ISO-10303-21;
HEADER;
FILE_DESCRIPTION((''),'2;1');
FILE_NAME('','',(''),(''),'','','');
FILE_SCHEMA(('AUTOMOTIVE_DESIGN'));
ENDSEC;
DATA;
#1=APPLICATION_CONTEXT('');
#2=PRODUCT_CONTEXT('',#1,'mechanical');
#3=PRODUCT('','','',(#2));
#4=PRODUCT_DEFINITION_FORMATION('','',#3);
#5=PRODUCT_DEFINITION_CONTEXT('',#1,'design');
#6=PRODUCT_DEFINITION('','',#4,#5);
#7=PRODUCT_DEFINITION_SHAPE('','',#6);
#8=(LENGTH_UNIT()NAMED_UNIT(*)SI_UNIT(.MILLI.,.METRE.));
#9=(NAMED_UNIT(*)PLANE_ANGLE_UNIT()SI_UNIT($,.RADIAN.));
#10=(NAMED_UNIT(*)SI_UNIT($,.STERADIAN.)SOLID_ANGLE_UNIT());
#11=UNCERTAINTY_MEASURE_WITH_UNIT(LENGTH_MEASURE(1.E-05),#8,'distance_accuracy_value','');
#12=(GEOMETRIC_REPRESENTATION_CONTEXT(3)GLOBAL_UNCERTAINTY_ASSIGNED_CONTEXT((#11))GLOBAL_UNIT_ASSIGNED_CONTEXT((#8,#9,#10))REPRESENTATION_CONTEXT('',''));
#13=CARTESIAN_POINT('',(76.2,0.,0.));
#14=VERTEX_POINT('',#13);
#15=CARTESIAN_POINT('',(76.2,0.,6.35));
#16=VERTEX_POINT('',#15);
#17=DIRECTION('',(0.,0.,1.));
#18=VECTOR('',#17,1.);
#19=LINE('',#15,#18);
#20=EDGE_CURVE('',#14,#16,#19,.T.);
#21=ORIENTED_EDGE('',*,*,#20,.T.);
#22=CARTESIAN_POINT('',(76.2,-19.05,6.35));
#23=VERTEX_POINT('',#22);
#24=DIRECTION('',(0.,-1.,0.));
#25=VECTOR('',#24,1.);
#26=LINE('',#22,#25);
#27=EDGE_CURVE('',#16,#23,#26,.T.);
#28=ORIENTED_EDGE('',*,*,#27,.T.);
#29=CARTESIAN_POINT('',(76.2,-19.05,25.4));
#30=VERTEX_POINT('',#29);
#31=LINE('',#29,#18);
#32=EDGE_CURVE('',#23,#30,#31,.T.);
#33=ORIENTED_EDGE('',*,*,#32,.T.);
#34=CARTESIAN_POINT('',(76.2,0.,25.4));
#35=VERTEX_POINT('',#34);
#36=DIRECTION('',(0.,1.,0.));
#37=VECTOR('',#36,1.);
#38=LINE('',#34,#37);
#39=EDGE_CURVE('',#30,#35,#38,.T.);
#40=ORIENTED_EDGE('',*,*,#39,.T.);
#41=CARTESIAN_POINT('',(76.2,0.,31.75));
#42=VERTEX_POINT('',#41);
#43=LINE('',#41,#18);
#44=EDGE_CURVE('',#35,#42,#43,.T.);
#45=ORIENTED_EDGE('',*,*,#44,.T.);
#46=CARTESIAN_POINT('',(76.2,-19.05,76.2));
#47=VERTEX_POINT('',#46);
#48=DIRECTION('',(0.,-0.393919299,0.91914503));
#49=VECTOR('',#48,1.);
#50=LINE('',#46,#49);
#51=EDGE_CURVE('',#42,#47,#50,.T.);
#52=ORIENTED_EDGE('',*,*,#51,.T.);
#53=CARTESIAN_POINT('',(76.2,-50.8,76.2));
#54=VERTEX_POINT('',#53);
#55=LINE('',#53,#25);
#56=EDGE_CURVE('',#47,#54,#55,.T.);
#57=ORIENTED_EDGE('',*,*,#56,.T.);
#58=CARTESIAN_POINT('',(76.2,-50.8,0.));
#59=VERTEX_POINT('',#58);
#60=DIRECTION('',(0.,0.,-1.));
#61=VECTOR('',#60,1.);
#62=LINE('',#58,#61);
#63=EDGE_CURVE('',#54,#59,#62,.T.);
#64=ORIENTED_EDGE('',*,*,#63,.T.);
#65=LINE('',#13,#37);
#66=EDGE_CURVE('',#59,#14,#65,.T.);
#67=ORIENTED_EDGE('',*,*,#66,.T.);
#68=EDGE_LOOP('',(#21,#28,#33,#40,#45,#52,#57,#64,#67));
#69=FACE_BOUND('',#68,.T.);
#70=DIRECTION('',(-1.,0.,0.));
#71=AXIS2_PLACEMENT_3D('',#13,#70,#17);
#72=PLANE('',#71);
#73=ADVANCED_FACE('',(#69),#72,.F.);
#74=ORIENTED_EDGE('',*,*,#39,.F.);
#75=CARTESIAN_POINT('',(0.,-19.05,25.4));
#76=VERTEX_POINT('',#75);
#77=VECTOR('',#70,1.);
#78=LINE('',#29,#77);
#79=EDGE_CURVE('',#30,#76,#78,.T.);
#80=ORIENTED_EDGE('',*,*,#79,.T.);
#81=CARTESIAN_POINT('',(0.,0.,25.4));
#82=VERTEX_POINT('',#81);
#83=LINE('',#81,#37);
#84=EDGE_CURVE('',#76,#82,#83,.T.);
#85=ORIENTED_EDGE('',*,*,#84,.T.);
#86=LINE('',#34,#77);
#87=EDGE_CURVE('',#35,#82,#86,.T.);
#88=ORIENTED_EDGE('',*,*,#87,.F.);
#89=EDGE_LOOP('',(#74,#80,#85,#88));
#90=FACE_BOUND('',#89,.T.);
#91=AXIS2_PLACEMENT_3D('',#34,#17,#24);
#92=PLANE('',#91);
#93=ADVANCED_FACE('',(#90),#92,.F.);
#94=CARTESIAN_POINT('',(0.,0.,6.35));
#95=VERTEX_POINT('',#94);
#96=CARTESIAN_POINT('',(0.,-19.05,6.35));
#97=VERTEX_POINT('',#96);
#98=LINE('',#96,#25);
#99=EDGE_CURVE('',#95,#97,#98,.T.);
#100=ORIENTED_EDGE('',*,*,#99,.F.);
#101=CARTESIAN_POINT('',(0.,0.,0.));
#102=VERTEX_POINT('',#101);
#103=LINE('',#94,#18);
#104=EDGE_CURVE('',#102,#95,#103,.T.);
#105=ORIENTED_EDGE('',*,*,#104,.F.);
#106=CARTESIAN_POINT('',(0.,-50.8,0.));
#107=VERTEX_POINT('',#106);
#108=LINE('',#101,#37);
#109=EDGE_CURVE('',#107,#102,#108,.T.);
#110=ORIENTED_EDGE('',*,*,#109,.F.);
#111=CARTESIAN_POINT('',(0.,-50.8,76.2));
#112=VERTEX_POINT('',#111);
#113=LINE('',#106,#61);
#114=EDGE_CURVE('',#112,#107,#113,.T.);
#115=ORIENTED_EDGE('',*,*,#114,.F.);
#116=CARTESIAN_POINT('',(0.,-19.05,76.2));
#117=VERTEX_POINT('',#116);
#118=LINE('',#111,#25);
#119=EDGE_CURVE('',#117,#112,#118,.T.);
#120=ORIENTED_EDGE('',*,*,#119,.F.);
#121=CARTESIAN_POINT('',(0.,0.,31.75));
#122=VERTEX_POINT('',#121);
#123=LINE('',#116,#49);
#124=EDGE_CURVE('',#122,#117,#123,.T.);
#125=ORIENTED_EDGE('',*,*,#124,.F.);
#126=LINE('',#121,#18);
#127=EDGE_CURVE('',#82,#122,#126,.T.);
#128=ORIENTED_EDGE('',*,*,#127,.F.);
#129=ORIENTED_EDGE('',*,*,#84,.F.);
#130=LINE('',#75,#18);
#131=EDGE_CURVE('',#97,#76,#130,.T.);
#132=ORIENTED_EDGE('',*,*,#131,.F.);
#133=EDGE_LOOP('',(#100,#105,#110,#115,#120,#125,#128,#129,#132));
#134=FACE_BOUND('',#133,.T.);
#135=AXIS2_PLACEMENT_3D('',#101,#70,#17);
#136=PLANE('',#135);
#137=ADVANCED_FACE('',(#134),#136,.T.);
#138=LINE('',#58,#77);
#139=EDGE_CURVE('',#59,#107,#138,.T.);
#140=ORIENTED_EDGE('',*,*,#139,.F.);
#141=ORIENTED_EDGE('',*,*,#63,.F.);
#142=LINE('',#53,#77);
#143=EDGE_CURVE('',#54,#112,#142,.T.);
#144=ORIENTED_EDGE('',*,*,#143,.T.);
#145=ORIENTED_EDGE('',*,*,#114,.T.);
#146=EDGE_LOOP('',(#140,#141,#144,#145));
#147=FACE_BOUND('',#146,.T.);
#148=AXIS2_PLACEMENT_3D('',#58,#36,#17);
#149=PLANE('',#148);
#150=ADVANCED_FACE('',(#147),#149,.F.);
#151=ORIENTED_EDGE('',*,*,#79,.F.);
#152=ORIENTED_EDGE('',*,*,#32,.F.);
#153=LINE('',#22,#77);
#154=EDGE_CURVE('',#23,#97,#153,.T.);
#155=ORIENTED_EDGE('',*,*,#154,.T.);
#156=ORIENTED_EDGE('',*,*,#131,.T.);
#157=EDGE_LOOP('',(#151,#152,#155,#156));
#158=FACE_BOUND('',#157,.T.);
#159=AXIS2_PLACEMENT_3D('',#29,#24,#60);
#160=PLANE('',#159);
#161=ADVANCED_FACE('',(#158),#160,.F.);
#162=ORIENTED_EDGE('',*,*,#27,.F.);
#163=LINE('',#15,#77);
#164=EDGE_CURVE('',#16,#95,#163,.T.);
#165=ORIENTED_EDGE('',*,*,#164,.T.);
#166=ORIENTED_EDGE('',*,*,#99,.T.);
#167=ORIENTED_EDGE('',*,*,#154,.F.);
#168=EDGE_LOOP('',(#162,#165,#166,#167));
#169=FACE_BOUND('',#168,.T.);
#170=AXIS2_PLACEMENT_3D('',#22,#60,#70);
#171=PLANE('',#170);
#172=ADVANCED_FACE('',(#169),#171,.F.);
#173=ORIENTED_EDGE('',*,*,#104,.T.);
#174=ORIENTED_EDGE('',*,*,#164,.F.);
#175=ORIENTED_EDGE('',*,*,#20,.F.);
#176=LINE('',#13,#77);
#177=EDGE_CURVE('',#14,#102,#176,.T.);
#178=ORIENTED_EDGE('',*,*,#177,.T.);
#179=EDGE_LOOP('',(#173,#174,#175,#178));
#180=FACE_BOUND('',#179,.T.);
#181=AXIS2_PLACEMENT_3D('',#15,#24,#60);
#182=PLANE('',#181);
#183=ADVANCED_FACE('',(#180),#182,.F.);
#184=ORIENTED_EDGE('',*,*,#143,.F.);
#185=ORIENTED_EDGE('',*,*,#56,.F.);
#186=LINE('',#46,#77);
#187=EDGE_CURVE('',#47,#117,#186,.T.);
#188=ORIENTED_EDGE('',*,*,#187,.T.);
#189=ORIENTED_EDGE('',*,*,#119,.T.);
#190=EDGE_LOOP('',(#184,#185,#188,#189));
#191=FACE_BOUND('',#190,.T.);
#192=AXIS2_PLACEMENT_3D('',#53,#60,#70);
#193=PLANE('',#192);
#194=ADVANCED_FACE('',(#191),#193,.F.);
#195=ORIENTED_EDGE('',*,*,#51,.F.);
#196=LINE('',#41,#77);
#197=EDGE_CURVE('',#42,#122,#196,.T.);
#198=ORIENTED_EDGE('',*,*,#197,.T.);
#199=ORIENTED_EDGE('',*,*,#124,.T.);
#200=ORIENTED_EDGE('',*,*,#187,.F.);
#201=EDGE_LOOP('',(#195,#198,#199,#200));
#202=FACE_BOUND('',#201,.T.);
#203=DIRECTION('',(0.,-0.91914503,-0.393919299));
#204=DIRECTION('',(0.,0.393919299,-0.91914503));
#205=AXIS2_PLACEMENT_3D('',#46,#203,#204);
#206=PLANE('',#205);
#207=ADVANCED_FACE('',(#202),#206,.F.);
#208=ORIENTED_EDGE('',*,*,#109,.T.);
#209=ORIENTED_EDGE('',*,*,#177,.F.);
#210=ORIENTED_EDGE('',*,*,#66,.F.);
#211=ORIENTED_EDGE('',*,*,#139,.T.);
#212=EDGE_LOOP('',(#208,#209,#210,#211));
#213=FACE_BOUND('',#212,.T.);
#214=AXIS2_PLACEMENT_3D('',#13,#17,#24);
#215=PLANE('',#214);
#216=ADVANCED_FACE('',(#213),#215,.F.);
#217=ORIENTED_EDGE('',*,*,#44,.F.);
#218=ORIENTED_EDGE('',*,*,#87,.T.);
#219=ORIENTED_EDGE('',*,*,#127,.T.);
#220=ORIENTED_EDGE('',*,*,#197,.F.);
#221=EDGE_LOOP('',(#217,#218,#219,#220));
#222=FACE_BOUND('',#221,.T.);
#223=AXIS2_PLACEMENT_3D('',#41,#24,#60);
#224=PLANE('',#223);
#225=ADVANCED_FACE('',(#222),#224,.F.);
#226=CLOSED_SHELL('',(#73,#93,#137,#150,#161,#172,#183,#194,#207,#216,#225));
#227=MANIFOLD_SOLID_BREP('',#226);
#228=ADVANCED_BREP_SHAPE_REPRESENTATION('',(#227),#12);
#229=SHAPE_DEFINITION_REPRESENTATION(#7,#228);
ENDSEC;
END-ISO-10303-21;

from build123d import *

# Parameters (mm, degrees)
CARD_DEPTH = 76.2


with BuildPart() as part:
    # Main → Card (new body)
    with BuildSketch(Plane(origin=(0, 0, 0), x_dir=(0, 0, -1), z_dir=(1, 0, 0))):
        Polygon((-76.2, -50.8), (-76.2, -19.05), (-31.75, 0), (-25.4, 0), (-25.4, -19.05), (-6.35, -19.05), (-6.35, 0), (0, 0), (0, -50.8), align=None)
    extrude(amount=CARD_DEPTH)


solid = part.part
